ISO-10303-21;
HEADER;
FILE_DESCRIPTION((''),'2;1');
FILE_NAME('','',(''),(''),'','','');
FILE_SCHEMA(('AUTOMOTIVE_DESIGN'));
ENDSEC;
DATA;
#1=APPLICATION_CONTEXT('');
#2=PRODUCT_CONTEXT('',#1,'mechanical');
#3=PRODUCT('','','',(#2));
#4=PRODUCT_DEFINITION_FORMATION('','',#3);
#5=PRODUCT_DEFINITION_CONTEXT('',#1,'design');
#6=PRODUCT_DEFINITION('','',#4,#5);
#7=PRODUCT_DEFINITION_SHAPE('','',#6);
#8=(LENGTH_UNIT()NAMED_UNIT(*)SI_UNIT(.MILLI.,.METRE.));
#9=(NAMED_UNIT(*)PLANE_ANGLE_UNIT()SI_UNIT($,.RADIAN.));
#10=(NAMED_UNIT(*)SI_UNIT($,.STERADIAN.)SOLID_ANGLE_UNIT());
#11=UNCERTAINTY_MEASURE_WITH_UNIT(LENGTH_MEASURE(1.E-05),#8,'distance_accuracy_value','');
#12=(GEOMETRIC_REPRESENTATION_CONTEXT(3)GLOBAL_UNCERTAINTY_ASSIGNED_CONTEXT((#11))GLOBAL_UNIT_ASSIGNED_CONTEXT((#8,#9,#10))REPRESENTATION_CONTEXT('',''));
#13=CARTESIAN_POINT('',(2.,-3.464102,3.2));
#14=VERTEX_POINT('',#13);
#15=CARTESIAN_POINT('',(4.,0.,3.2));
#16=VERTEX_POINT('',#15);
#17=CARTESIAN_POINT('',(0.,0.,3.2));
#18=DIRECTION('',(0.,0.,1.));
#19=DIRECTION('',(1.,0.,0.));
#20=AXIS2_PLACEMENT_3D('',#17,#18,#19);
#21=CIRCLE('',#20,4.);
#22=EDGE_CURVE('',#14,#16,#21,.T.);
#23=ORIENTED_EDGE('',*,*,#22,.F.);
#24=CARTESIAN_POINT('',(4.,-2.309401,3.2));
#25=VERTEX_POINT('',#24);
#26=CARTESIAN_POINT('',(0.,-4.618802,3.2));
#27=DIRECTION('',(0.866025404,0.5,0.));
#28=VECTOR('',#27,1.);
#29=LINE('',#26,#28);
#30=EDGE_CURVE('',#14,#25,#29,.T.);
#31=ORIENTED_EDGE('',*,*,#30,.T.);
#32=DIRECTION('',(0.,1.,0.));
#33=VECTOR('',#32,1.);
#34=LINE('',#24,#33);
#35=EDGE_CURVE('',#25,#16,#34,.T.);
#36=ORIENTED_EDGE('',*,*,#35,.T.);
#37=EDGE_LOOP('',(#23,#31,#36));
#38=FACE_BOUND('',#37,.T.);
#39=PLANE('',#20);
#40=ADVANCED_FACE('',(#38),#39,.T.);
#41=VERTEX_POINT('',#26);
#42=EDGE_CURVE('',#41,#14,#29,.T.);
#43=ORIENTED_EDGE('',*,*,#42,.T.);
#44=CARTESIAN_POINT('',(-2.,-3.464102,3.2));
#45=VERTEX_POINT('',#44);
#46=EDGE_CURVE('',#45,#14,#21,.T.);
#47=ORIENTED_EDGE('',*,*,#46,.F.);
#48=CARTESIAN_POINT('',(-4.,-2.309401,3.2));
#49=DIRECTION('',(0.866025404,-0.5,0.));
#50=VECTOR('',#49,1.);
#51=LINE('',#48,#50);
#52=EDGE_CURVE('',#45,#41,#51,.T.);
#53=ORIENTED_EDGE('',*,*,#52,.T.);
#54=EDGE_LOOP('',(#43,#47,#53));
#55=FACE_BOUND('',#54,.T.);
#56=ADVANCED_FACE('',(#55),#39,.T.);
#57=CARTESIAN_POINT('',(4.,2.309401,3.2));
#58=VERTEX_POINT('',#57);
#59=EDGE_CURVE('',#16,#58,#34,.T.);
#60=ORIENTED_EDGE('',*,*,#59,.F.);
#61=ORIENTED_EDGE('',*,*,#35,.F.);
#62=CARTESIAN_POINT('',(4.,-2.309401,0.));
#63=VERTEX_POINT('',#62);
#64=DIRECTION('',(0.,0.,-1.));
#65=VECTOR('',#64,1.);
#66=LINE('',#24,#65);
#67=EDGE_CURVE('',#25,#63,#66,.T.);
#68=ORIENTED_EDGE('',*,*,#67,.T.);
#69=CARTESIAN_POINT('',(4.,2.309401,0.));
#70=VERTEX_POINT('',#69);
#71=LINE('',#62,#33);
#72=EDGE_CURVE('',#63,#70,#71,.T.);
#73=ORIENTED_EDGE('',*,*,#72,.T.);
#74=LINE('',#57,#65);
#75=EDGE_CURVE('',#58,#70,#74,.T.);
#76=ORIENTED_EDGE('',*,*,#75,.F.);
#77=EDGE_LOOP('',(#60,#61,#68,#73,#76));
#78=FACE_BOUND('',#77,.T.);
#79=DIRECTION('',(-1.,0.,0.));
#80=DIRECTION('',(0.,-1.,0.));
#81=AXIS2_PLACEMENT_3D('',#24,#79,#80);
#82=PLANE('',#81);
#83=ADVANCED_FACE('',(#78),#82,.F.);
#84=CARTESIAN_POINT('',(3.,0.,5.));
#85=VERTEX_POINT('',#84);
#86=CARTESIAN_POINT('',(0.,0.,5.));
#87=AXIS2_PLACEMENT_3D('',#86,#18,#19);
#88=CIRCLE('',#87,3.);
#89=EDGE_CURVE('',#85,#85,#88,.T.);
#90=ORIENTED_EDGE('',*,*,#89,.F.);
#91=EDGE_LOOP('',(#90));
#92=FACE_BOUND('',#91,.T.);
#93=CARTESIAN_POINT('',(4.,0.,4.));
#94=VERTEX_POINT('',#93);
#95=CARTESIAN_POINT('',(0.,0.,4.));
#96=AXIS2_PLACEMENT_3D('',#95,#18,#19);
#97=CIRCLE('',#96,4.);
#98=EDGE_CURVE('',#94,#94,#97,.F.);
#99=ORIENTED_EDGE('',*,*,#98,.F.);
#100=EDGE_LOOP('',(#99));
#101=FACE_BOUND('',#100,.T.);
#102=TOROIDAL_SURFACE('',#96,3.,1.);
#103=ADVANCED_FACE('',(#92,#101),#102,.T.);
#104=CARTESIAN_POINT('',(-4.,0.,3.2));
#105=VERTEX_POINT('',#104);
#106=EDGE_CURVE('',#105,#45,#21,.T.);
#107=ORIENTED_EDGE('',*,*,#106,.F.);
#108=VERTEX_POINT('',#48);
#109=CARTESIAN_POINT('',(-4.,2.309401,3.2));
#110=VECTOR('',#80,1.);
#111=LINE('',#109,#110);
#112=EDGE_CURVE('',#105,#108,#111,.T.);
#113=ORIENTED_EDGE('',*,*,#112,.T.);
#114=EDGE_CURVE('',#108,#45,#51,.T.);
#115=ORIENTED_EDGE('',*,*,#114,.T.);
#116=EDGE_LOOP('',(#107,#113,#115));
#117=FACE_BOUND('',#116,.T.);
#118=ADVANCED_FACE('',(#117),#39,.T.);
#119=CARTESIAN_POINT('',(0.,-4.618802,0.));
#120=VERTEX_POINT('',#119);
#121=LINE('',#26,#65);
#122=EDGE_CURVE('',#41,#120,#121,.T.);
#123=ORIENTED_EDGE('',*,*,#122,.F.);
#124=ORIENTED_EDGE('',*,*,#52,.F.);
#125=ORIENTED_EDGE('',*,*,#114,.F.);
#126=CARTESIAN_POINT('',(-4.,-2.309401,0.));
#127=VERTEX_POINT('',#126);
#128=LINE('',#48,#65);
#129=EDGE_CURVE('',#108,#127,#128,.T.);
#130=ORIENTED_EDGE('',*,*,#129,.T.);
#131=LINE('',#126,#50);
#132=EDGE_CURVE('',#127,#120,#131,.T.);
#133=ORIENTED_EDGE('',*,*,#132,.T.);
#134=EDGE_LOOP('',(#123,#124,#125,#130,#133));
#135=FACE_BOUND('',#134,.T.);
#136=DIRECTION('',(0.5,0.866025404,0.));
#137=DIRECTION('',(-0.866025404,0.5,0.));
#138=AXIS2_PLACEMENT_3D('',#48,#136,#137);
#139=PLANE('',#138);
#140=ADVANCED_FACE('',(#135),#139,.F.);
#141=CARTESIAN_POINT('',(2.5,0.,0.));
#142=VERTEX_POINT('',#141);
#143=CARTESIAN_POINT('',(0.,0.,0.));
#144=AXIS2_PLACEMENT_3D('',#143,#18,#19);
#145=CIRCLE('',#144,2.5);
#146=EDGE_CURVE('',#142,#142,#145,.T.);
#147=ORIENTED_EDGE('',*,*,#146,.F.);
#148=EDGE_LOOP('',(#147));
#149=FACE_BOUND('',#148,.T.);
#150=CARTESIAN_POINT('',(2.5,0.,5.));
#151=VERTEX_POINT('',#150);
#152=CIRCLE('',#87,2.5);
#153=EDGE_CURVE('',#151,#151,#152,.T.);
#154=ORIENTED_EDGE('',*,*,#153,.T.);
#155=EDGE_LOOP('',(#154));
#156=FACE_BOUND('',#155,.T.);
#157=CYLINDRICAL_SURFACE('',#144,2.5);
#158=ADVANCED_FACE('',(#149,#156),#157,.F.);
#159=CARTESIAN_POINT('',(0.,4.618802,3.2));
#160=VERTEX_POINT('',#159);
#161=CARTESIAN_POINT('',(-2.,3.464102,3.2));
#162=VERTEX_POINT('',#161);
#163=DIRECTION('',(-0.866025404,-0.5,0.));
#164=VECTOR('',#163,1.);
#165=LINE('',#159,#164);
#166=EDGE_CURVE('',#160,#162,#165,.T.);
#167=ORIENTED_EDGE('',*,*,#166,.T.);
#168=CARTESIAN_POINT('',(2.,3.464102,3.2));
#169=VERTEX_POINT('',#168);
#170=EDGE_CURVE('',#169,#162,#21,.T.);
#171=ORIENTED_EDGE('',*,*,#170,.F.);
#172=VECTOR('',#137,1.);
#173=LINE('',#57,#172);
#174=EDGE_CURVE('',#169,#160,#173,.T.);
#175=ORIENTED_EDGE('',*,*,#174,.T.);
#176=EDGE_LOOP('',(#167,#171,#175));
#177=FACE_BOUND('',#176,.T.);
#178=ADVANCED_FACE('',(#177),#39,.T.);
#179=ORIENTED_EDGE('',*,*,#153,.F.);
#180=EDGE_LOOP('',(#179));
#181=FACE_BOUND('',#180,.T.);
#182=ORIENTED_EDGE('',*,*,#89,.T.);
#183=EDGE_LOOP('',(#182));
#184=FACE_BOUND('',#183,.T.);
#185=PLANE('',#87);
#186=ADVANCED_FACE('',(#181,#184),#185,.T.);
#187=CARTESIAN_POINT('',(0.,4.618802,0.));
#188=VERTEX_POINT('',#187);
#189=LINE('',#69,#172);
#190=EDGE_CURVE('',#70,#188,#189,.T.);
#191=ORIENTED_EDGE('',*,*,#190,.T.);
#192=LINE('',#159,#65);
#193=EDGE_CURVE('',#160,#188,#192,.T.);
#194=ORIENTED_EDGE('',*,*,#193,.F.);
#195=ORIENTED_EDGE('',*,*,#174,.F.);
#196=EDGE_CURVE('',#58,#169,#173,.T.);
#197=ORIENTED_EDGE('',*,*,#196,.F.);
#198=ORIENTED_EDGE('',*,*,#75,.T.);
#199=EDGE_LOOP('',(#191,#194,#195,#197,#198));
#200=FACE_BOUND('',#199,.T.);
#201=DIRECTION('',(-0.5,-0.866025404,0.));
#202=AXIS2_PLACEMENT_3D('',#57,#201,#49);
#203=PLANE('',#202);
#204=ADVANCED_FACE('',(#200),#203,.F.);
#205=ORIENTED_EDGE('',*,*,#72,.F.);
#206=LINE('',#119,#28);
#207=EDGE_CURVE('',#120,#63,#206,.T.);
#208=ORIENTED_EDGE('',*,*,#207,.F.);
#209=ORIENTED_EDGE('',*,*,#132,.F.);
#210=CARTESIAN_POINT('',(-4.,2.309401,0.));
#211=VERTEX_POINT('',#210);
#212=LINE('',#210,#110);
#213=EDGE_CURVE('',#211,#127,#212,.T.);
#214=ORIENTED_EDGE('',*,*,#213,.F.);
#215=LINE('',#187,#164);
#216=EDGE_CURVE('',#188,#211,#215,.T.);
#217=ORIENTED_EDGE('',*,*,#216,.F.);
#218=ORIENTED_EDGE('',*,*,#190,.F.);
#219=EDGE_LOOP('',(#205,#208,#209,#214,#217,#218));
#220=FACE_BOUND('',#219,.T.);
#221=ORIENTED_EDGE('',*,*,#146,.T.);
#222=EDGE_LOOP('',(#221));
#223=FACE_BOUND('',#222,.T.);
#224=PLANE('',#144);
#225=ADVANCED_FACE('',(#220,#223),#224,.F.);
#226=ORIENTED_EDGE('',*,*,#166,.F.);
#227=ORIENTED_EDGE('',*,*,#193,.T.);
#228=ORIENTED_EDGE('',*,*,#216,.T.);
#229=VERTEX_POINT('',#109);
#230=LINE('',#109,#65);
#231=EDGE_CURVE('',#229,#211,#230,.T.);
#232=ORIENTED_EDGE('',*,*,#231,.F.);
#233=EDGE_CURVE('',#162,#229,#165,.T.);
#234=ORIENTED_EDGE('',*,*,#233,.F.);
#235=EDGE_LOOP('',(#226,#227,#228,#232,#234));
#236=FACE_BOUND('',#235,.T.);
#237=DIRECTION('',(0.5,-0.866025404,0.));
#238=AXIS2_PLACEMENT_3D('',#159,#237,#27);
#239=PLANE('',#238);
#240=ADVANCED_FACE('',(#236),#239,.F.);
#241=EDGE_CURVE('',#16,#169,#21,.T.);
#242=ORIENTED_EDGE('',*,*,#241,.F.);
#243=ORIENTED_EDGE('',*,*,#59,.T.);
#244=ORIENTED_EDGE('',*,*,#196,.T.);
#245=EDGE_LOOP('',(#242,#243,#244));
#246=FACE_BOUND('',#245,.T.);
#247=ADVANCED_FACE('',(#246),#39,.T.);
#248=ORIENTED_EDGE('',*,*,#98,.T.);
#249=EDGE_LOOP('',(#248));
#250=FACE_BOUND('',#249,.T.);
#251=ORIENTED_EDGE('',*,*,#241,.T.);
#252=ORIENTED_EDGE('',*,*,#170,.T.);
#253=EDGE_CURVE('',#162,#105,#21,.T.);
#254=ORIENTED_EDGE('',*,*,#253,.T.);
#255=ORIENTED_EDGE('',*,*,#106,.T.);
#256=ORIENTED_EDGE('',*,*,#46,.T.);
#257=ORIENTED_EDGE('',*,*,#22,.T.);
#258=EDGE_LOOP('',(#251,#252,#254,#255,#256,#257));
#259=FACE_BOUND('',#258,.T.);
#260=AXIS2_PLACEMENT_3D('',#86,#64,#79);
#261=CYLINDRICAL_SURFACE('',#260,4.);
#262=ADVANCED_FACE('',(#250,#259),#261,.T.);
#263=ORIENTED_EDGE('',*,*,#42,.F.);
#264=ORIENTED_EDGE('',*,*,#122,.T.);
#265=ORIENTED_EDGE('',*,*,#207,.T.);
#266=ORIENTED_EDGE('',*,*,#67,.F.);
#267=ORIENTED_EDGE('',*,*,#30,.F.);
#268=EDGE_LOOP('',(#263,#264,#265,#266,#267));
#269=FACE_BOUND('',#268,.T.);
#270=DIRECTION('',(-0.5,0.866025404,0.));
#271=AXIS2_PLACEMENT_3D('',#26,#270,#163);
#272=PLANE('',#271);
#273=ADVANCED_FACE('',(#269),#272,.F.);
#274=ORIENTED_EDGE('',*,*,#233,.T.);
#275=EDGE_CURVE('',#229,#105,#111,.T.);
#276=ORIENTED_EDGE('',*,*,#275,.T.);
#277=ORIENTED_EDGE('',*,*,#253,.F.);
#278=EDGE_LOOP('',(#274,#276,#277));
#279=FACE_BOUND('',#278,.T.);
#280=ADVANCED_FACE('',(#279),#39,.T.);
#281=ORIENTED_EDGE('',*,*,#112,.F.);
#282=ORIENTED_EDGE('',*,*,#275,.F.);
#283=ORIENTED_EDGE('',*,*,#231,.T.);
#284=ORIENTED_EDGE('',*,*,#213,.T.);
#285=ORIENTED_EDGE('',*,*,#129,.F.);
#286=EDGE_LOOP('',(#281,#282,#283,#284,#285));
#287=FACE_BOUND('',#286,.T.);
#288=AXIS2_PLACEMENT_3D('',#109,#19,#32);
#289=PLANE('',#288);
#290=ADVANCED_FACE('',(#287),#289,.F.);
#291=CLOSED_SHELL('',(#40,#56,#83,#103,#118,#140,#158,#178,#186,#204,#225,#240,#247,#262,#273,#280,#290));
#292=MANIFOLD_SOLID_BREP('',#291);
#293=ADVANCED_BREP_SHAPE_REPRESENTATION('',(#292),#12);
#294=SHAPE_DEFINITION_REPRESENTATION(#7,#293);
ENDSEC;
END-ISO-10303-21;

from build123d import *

# Parameters (mm, degrees)
EXTRUDE_1_DEPTH     = 3.2
SKETCH_2_R          = 4
EXTRUDE_2_DEPTH     = 1.8
SKETCH_3_R          = 2.5
CUT_EXTRUDE_1_DEPTH = 8.895146188
FILLET_1_R          = 1


with BuildPart() as part:
    # 草图1 → 凸台-拉伸1 (new body)
    with BuildSketch(Plane.XY):
        Polygon((4, -2.309401077), (4, 2.309401077), (0, 4.618802154), (-4, 2.309401077), (-4, -2.309401077), (0, -4.618802154), align=None)
    extrude(amount=EXTRUDE_1_DEPTH)

    # 草图2 → 凸台-拉伸2 (add)
    with BuildSketch(Plane.XY.offset(3.2)):
        Circle(SKETCH_2_R)
    extrude(amount=EXTRUDE_2_DEPTH)

    # 草图3 → 切除-拉伸1 (cut, through all)
    with BuildSketch(Plane.XY.offset(5)):
        Circle(SKETCH_3_R)
    extrude(amount=-CUT_EXTRUDE_1_DEPTH, mode=Mode.SUBTRACT)

    # 圆角1
    fillet_1_edges = [part.edges().sort_by_distance(p)[0] for p in [
        (-4, 0, 5),
    ]]
    fillet(fillet_1_edges, radius=FILLET_1_R)


solid = part.part
